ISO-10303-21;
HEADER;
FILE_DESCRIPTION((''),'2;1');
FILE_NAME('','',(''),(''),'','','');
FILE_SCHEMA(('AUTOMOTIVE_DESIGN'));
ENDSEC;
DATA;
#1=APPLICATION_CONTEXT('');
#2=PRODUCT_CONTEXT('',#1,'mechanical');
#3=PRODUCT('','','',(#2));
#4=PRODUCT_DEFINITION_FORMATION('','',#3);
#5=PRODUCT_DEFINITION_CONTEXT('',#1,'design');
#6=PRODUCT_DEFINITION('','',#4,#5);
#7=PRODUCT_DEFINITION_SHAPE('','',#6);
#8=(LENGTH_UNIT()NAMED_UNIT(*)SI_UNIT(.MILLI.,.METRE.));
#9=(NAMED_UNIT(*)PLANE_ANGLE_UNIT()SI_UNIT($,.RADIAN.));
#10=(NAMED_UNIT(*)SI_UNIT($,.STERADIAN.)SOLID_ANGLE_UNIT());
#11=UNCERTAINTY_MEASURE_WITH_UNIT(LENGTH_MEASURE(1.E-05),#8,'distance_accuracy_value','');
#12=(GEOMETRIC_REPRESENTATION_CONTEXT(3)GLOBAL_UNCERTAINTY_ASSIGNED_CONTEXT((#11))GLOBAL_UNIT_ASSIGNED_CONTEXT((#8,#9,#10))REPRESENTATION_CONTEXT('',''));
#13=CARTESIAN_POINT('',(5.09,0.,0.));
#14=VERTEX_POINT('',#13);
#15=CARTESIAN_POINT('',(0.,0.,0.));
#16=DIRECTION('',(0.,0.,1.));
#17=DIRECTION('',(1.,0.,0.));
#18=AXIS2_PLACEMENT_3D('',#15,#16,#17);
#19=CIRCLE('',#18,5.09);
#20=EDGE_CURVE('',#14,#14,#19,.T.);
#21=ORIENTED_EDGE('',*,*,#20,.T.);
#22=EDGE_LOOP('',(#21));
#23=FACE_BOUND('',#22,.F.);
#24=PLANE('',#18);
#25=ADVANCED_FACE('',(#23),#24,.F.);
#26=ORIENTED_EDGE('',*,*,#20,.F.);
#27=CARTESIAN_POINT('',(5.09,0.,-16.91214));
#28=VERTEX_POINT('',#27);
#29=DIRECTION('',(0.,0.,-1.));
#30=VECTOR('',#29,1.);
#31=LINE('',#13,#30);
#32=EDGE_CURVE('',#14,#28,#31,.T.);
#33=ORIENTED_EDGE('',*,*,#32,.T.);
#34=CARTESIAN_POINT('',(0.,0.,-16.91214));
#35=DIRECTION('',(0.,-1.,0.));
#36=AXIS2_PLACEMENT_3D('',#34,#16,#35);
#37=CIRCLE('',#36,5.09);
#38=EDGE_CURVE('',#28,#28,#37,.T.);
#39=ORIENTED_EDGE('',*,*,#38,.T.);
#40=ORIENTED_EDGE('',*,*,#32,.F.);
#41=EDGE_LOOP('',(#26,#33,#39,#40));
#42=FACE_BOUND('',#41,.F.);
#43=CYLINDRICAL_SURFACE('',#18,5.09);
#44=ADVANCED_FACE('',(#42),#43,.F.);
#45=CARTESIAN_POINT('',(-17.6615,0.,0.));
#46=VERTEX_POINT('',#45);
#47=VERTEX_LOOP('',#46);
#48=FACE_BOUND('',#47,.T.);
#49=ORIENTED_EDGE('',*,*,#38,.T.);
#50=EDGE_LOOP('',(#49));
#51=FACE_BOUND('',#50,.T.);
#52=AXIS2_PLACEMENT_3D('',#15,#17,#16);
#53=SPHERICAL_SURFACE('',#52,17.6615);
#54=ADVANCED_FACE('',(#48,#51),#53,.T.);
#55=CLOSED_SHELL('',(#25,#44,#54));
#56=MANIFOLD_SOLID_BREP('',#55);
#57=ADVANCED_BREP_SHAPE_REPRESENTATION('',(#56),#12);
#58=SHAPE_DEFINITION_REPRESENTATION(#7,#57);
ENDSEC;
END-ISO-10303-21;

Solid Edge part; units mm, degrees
sketch "Sketch1" plane through (0, 0, 0) normal (0, -1, 0) x (1, 0, 0)
  arc A0 (-17.6615, 0) -> (17.6615, 0) centre (0, 0) cw
  line L0 (-17.6615, 0) -> (17.6615, 0)
revolve "RevolvedProtrusion1" add sketch "Sketch1" angle 360 about axis through (-17.6615, 0, 0) along (1, 0, 0)
sketch "Sketch2" plane through (0, 0, 0) normal (0, 0, 1) x (1, 0, 0)
  circle A0 centre (0, 0) radius 5.09
extrude "Cutout1" cut sketch "Sketch2" against normal blind 36.0104
